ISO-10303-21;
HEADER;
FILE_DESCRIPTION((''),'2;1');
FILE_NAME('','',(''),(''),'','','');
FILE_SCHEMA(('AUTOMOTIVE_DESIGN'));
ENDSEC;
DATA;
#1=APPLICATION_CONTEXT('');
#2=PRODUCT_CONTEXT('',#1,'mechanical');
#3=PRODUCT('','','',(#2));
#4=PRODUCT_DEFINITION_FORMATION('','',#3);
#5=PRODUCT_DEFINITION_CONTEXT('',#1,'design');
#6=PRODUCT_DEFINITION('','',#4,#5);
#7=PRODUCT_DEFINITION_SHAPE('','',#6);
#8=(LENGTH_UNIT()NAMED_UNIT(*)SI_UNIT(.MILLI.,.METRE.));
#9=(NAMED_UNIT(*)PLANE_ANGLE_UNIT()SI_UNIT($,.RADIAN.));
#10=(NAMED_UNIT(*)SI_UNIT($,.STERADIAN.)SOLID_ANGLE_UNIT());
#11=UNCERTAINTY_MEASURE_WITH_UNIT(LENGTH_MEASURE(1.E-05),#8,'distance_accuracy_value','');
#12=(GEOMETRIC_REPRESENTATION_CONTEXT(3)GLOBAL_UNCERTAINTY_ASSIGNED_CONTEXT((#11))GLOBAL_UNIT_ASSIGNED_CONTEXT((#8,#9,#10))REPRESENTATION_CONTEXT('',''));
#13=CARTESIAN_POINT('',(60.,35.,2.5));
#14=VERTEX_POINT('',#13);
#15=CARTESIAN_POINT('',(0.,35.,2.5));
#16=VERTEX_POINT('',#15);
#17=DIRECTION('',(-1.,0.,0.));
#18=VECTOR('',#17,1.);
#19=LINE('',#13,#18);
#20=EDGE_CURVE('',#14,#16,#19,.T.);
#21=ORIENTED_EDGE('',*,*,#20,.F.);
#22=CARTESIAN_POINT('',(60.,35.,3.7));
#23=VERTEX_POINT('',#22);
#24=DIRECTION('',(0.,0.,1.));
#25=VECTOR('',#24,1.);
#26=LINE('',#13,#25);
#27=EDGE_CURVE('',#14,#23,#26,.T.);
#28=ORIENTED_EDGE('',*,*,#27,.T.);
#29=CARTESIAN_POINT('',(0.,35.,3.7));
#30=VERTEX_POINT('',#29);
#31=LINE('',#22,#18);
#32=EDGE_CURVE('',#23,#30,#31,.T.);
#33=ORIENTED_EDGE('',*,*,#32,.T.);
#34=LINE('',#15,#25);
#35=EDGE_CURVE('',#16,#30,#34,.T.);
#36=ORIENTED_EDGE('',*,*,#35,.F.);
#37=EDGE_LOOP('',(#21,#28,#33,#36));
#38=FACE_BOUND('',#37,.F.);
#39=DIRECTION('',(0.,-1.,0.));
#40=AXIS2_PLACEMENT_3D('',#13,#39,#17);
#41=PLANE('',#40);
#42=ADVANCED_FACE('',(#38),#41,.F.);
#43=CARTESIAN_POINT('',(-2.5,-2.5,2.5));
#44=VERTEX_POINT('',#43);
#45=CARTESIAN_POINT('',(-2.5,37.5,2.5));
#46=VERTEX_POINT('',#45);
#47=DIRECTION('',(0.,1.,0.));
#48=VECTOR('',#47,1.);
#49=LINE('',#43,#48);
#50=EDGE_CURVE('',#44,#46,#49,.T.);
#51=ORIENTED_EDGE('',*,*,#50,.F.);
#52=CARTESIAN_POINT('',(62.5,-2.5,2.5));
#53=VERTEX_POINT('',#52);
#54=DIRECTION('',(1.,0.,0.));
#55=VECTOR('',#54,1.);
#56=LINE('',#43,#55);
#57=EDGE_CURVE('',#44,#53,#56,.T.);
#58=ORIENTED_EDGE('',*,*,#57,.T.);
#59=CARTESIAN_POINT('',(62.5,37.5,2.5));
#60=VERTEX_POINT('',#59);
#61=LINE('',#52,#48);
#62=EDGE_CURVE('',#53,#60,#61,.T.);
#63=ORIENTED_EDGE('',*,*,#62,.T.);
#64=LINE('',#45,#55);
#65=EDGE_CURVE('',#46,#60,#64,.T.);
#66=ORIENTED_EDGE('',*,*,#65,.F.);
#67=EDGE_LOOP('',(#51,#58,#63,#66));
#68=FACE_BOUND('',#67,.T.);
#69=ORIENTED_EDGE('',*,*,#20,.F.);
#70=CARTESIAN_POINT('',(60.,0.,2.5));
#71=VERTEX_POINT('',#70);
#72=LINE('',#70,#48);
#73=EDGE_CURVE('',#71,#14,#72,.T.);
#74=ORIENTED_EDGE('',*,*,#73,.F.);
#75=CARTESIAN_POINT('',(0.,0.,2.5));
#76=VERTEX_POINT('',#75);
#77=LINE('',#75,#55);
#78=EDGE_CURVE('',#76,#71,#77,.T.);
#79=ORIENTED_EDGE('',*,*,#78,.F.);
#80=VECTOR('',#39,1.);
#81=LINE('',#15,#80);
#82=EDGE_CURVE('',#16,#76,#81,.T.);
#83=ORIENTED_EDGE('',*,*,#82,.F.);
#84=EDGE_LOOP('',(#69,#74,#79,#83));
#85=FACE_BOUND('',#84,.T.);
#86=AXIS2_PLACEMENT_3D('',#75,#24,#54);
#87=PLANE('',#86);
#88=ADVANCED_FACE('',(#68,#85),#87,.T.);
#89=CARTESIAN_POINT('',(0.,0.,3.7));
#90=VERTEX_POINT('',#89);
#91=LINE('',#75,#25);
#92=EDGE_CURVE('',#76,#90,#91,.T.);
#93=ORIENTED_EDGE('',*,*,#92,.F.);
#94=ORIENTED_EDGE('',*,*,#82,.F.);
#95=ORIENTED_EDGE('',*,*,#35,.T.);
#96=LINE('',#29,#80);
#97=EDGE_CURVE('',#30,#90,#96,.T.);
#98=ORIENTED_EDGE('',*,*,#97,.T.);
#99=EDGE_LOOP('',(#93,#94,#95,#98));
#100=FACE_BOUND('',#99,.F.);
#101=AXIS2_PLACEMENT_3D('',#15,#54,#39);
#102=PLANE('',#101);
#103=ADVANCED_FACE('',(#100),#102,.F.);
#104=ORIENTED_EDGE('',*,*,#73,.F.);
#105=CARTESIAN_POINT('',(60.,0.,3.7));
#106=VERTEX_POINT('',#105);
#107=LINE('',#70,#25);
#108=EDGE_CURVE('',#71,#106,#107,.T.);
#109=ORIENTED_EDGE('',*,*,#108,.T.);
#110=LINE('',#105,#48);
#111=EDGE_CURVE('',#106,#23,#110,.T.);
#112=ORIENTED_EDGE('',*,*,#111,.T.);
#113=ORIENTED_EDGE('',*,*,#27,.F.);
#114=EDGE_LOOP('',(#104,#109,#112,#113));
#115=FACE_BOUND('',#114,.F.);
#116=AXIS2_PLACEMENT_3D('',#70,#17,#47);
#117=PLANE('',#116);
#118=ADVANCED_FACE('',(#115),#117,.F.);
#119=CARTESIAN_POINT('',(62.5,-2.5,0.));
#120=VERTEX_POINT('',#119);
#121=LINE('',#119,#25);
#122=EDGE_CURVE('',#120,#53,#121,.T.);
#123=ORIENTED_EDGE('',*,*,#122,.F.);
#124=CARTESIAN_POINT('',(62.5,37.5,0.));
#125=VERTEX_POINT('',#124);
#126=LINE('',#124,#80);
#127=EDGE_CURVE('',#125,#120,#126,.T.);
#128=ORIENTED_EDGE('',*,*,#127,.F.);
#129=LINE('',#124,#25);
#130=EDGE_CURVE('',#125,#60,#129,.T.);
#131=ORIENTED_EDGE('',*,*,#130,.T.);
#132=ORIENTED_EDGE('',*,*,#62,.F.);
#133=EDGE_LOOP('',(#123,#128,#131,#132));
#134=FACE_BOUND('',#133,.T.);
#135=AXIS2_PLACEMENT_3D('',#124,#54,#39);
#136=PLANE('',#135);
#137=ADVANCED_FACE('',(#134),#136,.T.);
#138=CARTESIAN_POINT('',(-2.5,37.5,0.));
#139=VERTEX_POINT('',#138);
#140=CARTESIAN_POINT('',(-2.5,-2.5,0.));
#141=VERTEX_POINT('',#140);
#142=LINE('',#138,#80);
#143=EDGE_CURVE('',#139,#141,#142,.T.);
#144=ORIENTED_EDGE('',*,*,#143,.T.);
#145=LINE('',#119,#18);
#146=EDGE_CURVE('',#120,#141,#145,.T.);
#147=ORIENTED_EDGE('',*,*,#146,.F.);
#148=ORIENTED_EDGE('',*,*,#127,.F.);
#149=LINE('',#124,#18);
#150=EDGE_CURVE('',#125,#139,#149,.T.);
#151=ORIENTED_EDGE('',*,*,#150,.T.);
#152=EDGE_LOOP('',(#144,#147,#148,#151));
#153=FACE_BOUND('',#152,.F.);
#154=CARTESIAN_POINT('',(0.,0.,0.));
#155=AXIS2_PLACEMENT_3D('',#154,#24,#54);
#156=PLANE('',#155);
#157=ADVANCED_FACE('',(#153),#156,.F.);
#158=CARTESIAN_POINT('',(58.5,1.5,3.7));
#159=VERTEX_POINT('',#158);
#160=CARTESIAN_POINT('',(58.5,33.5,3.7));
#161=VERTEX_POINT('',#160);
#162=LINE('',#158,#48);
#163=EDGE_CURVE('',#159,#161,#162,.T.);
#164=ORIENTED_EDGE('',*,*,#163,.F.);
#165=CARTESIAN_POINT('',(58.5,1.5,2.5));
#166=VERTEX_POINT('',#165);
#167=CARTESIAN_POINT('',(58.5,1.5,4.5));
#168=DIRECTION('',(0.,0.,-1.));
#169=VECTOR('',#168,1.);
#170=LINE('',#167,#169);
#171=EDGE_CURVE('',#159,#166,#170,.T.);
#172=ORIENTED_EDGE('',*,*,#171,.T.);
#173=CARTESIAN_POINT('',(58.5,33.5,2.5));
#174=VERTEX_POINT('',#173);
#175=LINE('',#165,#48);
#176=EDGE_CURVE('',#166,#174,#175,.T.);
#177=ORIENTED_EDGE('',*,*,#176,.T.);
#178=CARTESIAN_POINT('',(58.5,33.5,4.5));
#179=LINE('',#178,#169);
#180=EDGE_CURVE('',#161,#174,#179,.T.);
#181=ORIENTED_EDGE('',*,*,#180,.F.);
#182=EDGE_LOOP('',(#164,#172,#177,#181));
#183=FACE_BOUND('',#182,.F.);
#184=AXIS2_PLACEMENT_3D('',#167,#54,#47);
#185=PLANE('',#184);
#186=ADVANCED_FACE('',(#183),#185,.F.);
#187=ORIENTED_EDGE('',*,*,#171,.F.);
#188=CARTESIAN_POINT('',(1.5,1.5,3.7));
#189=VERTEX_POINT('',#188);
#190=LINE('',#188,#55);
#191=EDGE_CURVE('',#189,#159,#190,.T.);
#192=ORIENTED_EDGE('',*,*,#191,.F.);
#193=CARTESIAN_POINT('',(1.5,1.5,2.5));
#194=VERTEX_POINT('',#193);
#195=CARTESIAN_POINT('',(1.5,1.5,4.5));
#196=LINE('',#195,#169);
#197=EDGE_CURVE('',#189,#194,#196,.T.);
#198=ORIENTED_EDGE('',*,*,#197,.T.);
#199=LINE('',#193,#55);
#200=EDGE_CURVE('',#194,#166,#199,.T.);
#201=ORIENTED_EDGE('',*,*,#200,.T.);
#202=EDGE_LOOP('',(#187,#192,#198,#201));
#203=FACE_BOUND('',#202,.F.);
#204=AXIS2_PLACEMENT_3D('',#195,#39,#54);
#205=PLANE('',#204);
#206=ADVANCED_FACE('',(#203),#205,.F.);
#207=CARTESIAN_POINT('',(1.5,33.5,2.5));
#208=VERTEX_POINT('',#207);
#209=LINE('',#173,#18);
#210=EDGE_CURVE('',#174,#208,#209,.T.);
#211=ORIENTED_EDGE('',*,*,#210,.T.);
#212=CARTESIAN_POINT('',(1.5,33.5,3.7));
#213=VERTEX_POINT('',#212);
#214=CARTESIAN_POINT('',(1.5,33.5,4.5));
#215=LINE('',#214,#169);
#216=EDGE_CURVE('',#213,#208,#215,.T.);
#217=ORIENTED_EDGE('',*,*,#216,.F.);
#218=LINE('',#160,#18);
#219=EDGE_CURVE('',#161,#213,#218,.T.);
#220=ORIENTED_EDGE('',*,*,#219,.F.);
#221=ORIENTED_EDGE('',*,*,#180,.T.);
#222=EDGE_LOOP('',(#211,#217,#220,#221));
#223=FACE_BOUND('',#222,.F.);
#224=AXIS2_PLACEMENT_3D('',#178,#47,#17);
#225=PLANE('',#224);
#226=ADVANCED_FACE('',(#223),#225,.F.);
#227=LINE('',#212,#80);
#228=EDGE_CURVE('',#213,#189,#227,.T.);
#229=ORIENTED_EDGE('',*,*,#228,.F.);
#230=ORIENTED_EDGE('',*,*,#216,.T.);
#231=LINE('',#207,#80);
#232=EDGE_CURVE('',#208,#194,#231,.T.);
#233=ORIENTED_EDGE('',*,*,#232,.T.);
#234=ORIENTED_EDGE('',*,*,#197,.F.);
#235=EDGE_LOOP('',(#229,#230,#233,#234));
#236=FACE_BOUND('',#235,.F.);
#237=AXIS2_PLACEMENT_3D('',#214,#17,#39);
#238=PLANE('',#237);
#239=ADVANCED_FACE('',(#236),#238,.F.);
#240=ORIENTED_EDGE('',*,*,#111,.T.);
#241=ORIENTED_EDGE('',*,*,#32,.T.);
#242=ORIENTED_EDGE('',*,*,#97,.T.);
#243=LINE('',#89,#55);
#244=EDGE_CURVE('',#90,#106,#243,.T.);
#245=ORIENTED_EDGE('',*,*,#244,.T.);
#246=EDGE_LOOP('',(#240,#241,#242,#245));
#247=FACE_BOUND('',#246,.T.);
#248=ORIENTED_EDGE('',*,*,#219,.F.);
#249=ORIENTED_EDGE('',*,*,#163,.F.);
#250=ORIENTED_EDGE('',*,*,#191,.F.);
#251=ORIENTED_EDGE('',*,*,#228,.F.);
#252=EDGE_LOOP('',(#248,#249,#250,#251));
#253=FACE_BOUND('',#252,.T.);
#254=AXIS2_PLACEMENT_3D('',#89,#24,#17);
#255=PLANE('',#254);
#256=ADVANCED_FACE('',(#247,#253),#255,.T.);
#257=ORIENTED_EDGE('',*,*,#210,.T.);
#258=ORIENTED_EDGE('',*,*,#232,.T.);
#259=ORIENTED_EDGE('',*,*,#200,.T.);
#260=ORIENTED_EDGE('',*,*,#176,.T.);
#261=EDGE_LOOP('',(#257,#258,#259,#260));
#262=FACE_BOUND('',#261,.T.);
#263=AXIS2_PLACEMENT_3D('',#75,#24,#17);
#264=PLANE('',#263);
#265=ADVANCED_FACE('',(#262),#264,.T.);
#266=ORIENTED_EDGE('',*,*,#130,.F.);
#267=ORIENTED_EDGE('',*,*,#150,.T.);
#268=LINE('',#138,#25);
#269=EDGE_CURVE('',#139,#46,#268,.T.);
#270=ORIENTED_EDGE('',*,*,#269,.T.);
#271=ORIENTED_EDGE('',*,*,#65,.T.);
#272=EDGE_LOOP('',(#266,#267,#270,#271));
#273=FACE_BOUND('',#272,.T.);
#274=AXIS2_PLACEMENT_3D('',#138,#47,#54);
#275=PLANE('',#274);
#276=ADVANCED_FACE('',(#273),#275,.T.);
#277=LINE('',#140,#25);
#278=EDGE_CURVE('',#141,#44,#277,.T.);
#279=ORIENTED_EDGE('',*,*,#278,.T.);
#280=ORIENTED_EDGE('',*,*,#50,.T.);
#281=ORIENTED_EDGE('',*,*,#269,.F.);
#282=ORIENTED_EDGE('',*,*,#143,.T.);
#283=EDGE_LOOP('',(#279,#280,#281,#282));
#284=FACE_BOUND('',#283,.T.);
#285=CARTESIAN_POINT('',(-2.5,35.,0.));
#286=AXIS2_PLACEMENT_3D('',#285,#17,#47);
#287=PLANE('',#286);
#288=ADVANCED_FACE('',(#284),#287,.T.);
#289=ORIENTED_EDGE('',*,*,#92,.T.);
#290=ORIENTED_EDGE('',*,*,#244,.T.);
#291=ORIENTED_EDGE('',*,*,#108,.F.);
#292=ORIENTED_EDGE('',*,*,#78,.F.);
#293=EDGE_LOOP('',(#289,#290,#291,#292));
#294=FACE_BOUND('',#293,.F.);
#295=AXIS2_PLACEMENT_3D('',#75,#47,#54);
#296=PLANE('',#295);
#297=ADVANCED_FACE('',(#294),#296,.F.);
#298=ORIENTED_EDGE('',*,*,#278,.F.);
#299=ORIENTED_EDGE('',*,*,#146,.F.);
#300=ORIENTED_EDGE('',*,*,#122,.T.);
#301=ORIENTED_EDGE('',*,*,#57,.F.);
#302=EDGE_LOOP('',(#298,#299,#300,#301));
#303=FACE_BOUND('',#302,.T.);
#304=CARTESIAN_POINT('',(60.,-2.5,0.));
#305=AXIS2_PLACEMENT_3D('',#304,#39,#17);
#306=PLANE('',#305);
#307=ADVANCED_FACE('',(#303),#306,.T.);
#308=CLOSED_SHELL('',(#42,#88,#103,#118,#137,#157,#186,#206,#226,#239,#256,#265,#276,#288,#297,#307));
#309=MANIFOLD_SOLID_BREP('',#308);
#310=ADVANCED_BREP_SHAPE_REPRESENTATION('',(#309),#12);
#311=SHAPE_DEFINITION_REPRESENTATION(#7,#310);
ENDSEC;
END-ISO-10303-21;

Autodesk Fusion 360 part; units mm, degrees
sketch "Skizze2" plane through (0, 0, 0) normal (0, 0, 1) x (1, 0, 0)
  line L0 (-2.5, 35) -> (-2.5, 37.5)
  line L1 (-2.5, 37.5) -> (0, 37.5)
  line L2 (62.5, 0) -> (62.5, -2.5)
  line L3 (62.5, -2.5) -> (60, -2.5)
  line L4 (-2.5, 37.5) -> (62.5, 37.5)
  line L5 (62.5, 37.5) -> (62.5, -2.5)
  line L6 (62.5, -2.5) -> (-2.5, -2.5)
  line L7 (-2.5, -2.5) -> (-2.5, 37.5)
  point P0 (0, 35)
  point P1 (60, 0)
  dimension "d3" = 2.5
  dimension "d4" = 2.5
  dimension "d5" = 2.5
  dimension "d6" = 2.5
extrude "Extrusion1" add sketch "Skizze2" along normal blind 2.5
sketch "Skizze3" plane through (0, 0, 2.5) normal (0, 0, 1) x (-1, 0, 0)
  line L0 (2.5, 2.5) -> (-62.5, 2.5)
  line L1 (-62.5, 2.5) -> (-62.5, -37.5)
  line L2 (-62.5, -37.5) -> (2.5, -37.5)
  line L3 (2.5, -37.5) -> (2.5, 2.5)
  line L4 (-62.5, -37.5) -> (-60, -37.5)
  line L5 (-62.5, -35) -> (-62.5, -37.5)
  line L6 (2.5, 2.5) -> (0, 2.5)
  line L7 (2.5, 0) -> (2.5, 2.5)
  line L8 (0, 0) -> (-60, 0)
  line L9 (-60, 0) -> (-60, -35)
  line L10 (-60, -35) -> (0, -35)
  line L11 (0, -35) -> (0, 0)
  dimension "d9" = 2.5
  dimension "d10" = 2.5
  dimension "d11" = 2.5
  dimension "d12" = 2.5
extrude "Extrusion2" add sketch "Skizze3" along normal blind 2 contours L8 L9 L10 L11
sketch "Skizze4" plane through (0, 0, 4.5) normal (0, 0, 1) x (-1, 0, 0)
  line L0 (0, -35) -> (0, 0)
  line L1 (0, 0) -> (-60, 0)
  line L2 (-60, 0) -> (-60, -35)
  line L3 (-60, -35) -> (0, -35)
  line L4 (-1.5, -1.5) -> (-58.5, -1.5)
  line L5 (-58.5, -1.5) -> (-58.5, -33.5)
  line L6 (-58.5, -33.5) -> (-1.5, -33.5)
  line L7 (-1.5, -33.5) -> (-1.5, -1.5)
extrude "Extrusion3" cut sketch "Skizze4" against normal blind 2 contours L4 L5 L6 L7
extrude "Extrusion4" cut 1 faces at (39.5, 0.5, 4.5) along direction (0, 0, -1) blind 0.8
